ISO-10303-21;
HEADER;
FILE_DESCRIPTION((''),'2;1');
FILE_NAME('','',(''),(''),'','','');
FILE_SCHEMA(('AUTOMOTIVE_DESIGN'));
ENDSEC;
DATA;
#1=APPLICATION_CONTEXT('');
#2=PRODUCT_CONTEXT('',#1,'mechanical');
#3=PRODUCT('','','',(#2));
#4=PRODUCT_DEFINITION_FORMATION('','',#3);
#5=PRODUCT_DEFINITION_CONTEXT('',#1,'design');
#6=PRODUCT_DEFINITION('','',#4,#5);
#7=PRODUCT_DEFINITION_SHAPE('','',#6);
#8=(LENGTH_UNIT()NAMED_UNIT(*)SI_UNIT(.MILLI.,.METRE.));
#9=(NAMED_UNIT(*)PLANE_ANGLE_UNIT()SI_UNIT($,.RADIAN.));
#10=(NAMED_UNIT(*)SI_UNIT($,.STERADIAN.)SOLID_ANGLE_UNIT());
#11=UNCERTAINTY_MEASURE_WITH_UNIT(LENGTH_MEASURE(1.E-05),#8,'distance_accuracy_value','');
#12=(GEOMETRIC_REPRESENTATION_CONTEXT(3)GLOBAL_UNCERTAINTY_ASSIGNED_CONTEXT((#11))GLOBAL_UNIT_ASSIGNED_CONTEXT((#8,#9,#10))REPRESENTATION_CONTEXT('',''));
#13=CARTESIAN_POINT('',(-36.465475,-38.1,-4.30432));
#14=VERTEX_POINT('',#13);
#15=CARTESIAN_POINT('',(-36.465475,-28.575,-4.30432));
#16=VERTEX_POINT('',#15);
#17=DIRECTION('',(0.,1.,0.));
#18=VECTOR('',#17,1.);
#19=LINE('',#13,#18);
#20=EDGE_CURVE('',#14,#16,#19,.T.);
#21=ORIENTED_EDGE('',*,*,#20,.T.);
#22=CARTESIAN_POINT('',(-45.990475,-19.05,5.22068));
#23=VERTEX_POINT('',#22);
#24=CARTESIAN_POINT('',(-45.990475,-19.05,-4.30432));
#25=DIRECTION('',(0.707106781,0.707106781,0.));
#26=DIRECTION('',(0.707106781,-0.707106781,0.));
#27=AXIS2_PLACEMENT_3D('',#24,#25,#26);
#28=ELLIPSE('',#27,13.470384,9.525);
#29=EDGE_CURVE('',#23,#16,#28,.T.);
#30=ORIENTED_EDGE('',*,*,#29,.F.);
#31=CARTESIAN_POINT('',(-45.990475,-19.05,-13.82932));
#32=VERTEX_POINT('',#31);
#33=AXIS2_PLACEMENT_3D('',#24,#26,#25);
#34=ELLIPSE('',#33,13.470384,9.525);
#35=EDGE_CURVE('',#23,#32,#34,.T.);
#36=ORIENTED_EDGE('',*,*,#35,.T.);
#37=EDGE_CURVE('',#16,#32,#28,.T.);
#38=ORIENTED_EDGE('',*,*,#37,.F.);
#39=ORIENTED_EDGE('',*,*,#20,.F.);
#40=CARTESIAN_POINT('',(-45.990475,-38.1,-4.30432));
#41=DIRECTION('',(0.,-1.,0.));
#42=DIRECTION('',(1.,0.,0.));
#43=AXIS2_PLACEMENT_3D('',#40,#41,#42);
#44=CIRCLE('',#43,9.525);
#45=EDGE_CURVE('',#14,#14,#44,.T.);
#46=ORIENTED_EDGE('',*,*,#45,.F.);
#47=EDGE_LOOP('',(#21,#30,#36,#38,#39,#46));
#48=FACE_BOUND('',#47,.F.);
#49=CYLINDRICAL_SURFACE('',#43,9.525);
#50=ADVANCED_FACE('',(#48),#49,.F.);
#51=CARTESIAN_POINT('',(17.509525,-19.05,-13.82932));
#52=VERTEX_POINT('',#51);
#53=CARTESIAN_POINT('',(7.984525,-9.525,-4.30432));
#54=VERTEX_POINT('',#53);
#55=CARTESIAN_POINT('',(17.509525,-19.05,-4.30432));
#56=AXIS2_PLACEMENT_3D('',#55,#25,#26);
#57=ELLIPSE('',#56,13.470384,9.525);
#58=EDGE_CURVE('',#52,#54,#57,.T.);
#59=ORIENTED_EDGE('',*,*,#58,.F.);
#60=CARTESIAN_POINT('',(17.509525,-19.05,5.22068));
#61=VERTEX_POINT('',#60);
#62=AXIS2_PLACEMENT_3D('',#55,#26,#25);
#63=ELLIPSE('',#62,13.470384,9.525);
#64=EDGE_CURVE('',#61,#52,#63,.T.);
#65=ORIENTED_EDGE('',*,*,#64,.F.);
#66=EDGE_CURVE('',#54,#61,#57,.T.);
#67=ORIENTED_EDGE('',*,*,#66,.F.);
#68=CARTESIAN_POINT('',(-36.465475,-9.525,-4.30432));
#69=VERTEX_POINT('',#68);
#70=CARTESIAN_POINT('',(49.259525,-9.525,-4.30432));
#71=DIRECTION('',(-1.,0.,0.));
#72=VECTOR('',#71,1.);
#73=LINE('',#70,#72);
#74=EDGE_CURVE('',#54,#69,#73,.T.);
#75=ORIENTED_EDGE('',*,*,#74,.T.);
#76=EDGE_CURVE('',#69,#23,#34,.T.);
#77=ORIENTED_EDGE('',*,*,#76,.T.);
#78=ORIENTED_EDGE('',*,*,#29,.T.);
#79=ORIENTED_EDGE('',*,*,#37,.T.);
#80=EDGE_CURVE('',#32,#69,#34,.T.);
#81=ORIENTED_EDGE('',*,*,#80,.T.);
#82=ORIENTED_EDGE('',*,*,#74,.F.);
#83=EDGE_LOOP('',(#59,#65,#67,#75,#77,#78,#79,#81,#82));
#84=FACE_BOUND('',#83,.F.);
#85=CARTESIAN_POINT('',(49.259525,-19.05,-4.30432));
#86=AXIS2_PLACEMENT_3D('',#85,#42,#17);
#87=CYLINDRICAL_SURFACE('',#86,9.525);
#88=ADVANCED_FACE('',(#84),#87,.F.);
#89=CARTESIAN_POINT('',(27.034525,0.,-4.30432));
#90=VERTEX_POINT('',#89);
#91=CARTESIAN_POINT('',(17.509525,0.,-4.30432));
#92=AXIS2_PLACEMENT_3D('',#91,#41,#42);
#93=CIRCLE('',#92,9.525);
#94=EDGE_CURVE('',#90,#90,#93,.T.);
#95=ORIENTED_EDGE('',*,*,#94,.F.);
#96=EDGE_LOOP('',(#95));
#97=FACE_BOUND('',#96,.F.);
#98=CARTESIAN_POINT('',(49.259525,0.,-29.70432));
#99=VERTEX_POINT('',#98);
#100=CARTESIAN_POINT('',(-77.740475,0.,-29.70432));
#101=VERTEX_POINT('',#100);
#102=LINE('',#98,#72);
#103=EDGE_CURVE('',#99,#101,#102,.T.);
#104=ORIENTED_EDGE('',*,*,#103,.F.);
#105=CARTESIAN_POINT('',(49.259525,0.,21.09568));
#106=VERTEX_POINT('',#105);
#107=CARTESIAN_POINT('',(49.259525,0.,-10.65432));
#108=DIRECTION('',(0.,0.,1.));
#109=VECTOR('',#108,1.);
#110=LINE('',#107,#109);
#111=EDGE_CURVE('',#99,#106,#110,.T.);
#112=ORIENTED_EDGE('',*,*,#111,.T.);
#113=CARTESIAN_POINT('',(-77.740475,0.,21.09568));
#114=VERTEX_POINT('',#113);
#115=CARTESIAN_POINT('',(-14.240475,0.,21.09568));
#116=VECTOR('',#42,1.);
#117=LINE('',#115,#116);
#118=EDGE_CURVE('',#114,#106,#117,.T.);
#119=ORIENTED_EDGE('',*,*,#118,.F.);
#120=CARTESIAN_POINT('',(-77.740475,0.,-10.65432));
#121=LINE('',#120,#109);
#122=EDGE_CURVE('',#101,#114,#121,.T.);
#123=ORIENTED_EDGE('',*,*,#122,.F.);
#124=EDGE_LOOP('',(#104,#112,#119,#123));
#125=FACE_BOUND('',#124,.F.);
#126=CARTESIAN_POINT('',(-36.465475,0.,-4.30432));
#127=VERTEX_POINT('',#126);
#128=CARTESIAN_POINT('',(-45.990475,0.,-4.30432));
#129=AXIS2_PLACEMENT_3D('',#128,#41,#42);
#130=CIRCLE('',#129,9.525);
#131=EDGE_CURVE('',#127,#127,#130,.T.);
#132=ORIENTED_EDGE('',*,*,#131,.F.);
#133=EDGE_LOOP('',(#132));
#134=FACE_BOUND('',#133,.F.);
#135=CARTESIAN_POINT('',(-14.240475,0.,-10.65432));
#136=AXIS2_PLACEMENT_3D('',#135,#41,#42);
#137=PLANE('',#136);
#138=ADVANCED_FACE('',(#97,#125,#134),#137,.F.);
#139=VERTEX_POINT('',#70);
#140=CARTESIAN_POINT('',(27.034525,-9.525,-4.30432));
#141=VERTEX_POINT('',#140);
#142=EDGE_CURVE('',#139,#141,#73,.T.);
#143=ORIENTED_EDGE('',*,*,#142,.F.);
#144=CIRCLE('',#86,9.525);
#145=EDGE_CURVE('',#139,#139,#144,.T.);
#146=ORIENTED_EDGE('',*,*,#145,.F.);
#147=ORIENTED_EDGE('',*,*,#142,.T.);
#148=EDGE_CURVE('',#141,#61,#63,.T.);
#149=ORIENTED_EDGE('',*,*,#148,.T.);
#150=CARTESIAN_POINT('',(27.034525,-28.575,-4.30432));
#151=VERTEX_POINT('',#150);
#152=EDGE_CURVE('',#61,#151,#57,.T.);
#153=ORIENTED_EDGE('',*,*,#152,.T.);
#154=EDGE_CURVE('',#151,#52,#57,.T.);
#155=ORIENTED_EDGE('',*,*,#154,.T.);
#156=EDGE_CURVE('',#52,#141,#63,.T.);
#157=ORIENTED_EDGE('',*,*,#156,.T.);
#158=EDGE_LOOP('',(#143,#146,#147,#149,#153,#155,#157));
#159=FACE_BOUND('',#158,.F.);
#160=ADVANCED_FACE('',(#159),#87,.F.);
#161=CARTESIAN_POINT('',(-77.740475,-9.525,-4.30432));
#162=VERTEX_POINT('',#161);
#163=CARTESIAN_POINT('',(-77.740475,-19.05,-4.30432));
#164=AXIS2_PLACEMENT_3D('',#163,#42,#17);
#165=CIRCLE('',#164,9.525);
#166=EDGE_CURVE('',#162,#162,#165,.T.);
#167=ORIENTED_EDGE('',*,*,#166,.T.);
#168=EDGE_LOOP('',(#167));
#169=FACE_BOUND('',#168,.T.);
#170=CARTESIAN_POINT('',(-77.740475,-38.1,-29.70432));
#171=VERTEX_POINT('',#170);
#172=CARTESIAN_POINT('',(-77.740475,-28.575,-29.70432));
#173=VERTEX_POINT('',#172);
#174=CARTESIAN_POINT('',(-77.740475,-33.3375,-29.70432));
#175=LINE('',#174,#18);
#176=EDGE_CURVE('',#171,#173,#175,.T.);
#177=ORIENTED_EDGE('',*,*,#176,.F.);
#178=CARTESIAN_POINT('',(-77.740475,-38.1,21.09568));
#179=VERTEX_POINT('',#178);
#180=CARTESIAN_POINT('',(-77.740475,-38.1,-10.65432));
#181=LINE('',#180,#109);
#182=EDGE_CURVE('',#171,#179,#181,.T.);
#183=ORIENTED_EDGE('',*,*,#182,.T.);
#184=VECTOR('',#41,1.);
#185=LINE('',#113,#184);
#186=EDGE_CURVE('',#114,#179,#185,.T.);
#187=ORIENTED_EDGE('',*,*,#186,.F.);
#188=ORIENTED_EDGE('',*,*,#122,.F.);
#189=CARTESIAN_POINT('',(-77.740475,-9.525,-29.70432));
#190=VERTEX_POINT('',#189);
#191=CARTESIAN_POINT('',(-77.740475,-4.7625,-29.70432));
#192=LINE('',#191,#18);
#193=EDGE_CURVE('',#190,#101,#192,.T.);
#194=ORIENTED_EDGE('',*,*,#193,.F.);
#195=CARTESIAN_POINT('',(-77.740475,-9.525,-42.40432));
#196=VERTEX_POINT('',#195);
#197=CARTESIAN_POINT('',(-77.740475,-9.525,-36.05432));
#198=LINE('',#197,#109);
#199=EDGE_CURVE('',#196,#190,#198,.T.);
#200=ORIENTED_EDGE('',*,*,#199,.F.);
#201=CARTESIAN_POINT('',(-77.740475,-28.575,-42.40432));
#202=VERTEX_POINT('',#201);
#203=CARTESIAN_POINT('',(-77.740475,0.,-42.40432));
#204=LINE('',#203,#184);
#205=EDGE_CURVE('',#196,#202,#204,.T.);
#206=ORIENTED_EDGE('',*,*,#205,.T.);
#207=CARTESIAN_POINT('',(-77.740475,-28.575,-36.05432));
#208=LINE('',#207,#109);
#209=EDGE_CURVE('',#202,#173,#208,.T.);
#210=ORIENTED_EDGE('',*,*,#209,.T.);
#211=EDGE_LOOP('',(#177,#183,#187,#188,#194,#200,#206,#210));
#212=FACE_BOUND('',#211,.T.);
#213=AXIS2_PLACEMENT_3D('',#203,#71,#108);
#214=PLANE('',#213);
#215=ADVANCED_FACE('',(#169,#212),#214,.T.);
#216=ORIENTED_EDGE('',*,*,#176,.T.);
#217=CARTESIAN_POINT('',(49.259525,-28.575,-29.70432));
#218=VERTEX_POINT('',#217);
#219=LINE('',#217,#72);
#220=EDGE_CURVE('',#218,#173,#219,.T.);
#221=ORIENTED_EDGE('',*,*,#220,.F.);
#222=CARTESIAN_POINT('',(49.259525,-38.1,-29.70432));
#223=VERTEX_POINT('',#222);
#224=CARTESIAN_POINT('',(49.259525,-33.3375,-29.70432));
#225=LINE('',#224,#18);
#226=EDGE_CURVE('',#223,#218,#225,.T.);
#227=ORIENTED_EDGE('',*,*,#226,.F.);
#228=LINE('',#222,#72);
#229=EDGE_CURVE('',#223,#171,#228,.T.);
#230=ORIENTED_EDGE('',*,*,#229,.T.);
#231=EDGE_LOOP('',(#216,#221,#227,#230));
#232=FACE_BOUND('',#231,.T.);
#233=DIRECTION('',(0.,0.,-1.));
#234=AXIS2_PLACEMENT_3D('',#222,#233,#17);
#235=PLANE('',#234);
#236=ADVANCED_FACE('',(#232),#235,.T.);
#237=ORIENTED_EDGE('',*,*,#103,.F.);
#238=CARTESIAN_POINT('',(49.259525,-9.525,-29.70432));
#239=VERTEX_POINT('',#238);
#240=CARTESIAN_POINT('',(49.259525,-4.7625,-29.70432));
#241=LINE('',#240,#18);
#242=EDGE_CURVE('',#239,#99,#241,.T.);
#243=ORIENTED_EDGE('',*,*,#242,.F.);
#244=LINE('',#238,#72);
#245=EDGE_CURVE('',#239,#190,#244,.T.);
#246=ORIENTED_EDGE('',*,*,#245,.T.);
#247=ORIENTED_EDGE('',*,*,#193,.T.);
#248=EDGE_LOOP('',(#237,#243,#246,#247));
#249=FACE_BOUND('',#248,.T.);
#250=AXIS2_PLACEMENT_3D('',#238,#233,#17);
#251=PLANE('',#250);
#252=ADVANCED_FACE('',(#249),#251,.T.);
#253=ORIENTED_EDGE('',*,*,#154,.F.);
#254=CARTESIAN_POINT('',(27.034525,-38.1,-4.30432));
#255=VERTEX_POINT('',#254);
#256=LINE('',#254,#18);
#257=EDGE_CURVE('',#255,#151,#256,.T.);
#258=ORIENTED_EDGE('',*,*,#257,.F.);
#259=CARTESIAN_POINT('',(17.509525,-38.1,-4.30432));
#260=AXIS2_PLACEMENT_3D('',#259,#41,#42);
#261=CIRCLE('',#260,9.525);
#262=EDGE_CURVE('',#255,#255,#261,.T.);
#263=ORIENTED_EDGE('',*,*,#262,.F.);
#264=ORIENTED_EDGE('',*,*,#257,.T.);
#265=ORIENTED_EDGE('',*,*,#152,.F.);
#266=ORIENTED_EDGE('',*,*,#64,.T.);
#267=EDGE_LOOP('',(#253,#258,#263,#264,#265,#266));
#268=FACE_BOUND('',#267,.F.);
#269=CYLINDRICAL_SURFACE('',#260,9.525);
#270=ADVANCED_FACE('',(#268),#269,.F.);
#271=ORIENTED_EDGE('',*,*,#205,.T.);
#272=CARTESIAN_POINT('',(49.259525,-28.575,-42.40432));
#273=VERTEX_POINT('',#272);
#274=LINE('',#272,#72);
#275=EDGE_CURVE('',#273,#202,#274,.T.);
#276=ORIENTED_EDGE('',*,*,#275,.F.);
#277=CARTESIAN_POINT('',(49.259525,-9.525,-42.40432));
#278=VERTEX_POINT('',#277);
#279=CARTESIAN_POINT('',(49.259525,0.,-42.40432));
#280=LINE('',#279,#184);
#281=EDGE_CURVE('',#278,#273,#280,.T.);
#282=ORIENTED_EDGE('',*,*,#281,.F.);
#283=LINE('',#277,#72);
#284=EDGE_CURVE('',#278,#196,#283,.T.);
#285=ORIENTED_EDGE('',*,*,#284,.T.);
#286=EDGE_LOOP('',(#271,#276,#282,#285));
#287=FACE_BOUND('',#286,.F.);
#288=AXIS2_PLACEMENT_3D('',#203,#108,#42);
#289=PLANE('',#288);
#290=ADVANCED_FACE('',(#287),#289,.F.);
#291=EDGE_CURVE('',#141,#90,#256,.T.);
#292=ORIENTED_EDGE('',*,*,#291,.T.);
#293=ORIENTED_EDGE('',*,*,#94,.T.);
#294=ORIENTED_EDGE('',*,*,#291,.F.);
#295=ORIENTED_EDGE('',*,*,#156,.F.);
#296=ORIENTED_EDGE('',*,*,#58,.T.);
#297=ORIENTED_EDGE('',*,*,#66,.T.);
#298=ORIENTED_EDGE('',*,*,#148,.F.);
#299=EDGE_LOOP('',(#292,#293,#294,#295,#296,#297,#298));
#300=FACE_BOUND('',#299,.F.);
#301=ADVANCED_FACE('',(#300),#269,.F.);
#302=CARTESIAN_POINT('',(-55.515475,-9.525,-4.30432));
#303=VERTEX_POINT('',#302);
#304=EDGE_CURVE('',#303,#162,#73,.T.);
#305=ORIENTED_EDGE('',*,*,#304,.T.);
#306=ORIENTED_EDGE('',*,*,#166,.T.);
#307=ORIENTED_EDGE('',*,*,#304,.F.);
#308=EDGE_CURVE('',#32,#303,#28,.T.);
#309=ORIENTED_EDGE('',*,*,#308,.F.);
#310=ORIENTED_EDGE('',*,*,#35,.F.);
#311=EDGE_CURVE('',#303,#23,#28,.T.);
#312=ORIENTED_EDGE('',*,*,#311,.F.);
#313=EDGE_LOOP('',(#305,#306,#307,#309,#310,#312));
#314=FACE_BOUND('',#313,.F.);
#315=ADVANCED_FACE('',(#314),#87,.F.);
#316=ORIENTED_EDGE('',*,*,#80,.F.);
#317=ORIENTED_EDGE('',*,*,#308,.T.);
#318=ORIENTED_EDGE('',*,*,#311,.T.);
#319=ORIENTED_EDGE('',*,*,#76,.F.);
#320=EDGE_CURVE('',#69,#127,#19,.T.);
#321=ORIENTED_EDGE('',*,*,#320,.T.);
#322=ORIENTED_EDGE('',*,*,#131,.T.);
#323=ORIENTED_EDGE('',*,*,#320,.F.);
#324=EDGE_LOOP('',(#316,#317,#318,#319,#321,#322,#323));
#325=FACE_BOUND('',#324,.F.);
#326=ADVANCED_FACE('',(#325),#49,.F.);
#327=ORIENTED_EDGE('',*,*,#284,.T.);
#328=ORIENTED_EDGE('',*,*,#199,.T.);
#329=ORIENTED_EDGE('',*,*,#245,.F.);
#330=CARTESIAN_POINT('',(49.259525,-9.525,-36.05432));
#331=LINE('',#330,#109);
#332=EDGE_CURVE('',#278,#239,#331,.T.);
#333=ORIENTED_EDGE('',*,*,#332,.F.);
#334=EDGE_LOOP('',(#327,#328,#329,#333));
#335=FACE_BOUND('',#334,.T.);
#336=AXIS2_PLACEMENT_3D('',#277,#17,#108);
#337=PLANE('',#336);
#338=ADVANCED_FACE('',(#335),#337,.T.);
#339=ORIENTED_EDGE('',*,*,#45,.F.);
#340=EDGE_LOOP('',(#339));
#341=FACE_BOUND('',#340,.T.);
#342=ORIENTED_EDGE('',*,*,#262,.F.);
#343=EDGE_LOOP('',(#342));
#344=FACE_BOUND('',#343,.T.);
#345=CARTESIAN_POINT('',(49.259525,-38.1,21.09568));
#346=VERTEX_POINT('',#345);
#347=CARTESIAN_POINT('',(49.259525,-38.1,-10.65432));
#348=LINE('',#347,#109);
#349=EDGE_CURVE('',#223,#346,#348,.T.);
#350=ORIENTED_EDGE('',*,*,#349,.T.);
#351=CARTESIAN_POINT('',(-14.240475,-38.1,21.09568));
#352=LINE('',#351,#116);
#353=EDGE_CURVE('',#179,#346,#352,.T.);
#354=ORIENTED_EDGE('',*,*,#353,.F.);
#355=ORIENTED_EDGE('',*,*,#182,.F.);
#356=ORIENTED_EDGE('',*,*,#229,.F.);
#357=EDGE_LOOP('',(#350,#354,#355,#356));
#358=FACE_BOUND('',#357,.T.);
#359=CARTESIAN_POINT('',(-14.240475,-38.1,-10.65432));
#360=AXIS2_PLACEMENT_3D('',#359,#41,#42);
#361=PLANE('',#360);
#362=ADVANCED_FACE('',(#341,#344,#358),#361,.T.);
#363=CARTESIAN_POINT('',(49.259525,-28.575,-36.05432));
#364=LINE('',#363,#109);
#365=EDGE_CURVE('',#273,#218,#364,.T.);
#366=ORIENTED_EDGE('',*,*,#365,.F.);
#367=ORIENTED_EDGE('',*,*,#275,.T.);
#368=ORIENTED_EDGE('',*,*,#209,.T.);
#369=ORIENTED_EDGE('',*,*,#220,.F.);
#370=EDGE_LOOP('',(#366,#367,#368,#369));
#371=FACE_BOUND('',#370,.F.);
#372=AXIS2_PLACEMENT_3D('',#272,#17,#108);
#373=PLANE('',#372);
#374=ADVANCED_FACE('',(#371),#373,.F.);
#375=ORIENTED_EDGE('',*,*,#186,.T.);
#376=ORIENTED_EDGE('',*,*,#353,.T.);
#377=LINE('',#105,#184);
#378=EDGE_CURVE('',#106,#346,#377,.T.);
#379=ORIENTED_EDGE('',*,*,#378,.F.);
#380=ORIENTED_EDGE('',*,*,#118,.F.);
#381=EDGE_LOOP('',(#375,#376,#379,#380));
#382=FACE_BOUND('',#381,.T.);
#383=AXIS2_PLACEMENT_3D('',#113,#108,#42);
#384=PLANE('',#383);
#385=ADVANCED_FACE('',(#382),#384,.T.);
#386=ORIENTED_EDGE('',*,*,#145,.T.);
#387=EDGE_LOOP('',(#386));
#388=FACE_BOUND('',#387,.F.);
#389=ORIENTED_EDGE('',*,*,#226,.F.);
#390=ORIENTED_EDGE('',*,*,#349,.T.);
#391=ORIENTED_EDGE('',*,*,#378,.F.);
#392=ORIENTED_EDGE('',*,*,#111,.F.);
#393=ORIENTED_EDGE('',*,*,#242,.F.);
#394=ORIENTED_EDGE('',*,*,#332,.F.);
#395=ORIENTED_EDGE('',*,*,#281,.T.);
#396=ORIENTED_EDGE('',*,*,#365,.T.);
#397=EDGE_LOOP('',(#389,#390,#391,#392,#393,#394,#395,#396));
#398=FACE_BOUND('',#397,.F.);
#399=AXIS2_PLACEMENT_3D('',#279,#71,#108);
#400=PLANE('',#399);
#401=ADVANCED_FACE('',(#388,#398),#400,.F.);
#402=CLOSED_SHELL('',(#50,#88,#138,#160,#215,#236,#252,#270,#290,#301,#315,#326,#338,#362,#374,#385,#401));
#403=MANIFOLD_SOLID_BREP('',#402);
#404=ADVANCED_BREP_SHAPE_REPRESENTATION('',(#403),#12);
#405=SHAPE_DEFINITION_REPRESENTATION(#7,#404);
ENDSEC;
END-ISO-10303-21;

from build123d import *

# Parameters (mm, degrees)
F0_W     = 127
F0_H     = 63.5
F1_DEPTH = 38.1
F2_W     = 9.525
F2_H     = 12.7
F3_DEPTH = 127
F4_W     = 9.525
F4_H     = 12.7
F5_DEPTH = 127
F6_R     = 9.525
F7_DEPTH = 127
F8_R     = 9.525
F9_DEPTH = 38.1


with BuildPart() as f1:
    # F0 (on Front) → F1 (new body)
    with BuildSketch(Plane.XZ):
        with Locations((-14.240475, -10.65432)):
            Rectangle(F0_W, F0_H)
    extrude(amount=F1_DEPTH)

    # F2 (on face) → F3 (cut)
    with BuildSketch(Plane.YZ.offset(49.259525)):
        with Locations((-33.3375, -36.05432)):
            Rectangle(F2_W, F2_H)
    extrude(amount=-F3_DEPTH, mode=Mode.SUBTRACT)

    # F4 (on face) → F5 (cut)
    with BuildSketch(Plane.YZ.offset(49.259525)):
        with Locations((-4.7625, -36.05432)):
            Rectangle(F4_W, F4_H)
    extrude(amount=-F5_DEPTH, mode=Mode.SUBTRACT)

    # F6 (on face) → F7 (cut)
    with BuildSketch(Plane.YZ.offset(49.259525)):
        with Locations((-19.05, -4.30432)):
            Circle(F6_R)
    extrude(amount=-F7_DEPTH, mode=Mode.SUBTRACT)

    # F8 (on face) → F9 (cut)
    with BuildSketch(Plane.XZ.offset(38.1)):
        with Locations((-45.990475, -4.30432)):
            Circle(F8_R)
        with Locations((17.509525, -4.30432)):
            Circle(F8_R)
    extrude(amount=-F9_DEPTH, mode=Mode.SUBTRACT)


solid = f1.part
